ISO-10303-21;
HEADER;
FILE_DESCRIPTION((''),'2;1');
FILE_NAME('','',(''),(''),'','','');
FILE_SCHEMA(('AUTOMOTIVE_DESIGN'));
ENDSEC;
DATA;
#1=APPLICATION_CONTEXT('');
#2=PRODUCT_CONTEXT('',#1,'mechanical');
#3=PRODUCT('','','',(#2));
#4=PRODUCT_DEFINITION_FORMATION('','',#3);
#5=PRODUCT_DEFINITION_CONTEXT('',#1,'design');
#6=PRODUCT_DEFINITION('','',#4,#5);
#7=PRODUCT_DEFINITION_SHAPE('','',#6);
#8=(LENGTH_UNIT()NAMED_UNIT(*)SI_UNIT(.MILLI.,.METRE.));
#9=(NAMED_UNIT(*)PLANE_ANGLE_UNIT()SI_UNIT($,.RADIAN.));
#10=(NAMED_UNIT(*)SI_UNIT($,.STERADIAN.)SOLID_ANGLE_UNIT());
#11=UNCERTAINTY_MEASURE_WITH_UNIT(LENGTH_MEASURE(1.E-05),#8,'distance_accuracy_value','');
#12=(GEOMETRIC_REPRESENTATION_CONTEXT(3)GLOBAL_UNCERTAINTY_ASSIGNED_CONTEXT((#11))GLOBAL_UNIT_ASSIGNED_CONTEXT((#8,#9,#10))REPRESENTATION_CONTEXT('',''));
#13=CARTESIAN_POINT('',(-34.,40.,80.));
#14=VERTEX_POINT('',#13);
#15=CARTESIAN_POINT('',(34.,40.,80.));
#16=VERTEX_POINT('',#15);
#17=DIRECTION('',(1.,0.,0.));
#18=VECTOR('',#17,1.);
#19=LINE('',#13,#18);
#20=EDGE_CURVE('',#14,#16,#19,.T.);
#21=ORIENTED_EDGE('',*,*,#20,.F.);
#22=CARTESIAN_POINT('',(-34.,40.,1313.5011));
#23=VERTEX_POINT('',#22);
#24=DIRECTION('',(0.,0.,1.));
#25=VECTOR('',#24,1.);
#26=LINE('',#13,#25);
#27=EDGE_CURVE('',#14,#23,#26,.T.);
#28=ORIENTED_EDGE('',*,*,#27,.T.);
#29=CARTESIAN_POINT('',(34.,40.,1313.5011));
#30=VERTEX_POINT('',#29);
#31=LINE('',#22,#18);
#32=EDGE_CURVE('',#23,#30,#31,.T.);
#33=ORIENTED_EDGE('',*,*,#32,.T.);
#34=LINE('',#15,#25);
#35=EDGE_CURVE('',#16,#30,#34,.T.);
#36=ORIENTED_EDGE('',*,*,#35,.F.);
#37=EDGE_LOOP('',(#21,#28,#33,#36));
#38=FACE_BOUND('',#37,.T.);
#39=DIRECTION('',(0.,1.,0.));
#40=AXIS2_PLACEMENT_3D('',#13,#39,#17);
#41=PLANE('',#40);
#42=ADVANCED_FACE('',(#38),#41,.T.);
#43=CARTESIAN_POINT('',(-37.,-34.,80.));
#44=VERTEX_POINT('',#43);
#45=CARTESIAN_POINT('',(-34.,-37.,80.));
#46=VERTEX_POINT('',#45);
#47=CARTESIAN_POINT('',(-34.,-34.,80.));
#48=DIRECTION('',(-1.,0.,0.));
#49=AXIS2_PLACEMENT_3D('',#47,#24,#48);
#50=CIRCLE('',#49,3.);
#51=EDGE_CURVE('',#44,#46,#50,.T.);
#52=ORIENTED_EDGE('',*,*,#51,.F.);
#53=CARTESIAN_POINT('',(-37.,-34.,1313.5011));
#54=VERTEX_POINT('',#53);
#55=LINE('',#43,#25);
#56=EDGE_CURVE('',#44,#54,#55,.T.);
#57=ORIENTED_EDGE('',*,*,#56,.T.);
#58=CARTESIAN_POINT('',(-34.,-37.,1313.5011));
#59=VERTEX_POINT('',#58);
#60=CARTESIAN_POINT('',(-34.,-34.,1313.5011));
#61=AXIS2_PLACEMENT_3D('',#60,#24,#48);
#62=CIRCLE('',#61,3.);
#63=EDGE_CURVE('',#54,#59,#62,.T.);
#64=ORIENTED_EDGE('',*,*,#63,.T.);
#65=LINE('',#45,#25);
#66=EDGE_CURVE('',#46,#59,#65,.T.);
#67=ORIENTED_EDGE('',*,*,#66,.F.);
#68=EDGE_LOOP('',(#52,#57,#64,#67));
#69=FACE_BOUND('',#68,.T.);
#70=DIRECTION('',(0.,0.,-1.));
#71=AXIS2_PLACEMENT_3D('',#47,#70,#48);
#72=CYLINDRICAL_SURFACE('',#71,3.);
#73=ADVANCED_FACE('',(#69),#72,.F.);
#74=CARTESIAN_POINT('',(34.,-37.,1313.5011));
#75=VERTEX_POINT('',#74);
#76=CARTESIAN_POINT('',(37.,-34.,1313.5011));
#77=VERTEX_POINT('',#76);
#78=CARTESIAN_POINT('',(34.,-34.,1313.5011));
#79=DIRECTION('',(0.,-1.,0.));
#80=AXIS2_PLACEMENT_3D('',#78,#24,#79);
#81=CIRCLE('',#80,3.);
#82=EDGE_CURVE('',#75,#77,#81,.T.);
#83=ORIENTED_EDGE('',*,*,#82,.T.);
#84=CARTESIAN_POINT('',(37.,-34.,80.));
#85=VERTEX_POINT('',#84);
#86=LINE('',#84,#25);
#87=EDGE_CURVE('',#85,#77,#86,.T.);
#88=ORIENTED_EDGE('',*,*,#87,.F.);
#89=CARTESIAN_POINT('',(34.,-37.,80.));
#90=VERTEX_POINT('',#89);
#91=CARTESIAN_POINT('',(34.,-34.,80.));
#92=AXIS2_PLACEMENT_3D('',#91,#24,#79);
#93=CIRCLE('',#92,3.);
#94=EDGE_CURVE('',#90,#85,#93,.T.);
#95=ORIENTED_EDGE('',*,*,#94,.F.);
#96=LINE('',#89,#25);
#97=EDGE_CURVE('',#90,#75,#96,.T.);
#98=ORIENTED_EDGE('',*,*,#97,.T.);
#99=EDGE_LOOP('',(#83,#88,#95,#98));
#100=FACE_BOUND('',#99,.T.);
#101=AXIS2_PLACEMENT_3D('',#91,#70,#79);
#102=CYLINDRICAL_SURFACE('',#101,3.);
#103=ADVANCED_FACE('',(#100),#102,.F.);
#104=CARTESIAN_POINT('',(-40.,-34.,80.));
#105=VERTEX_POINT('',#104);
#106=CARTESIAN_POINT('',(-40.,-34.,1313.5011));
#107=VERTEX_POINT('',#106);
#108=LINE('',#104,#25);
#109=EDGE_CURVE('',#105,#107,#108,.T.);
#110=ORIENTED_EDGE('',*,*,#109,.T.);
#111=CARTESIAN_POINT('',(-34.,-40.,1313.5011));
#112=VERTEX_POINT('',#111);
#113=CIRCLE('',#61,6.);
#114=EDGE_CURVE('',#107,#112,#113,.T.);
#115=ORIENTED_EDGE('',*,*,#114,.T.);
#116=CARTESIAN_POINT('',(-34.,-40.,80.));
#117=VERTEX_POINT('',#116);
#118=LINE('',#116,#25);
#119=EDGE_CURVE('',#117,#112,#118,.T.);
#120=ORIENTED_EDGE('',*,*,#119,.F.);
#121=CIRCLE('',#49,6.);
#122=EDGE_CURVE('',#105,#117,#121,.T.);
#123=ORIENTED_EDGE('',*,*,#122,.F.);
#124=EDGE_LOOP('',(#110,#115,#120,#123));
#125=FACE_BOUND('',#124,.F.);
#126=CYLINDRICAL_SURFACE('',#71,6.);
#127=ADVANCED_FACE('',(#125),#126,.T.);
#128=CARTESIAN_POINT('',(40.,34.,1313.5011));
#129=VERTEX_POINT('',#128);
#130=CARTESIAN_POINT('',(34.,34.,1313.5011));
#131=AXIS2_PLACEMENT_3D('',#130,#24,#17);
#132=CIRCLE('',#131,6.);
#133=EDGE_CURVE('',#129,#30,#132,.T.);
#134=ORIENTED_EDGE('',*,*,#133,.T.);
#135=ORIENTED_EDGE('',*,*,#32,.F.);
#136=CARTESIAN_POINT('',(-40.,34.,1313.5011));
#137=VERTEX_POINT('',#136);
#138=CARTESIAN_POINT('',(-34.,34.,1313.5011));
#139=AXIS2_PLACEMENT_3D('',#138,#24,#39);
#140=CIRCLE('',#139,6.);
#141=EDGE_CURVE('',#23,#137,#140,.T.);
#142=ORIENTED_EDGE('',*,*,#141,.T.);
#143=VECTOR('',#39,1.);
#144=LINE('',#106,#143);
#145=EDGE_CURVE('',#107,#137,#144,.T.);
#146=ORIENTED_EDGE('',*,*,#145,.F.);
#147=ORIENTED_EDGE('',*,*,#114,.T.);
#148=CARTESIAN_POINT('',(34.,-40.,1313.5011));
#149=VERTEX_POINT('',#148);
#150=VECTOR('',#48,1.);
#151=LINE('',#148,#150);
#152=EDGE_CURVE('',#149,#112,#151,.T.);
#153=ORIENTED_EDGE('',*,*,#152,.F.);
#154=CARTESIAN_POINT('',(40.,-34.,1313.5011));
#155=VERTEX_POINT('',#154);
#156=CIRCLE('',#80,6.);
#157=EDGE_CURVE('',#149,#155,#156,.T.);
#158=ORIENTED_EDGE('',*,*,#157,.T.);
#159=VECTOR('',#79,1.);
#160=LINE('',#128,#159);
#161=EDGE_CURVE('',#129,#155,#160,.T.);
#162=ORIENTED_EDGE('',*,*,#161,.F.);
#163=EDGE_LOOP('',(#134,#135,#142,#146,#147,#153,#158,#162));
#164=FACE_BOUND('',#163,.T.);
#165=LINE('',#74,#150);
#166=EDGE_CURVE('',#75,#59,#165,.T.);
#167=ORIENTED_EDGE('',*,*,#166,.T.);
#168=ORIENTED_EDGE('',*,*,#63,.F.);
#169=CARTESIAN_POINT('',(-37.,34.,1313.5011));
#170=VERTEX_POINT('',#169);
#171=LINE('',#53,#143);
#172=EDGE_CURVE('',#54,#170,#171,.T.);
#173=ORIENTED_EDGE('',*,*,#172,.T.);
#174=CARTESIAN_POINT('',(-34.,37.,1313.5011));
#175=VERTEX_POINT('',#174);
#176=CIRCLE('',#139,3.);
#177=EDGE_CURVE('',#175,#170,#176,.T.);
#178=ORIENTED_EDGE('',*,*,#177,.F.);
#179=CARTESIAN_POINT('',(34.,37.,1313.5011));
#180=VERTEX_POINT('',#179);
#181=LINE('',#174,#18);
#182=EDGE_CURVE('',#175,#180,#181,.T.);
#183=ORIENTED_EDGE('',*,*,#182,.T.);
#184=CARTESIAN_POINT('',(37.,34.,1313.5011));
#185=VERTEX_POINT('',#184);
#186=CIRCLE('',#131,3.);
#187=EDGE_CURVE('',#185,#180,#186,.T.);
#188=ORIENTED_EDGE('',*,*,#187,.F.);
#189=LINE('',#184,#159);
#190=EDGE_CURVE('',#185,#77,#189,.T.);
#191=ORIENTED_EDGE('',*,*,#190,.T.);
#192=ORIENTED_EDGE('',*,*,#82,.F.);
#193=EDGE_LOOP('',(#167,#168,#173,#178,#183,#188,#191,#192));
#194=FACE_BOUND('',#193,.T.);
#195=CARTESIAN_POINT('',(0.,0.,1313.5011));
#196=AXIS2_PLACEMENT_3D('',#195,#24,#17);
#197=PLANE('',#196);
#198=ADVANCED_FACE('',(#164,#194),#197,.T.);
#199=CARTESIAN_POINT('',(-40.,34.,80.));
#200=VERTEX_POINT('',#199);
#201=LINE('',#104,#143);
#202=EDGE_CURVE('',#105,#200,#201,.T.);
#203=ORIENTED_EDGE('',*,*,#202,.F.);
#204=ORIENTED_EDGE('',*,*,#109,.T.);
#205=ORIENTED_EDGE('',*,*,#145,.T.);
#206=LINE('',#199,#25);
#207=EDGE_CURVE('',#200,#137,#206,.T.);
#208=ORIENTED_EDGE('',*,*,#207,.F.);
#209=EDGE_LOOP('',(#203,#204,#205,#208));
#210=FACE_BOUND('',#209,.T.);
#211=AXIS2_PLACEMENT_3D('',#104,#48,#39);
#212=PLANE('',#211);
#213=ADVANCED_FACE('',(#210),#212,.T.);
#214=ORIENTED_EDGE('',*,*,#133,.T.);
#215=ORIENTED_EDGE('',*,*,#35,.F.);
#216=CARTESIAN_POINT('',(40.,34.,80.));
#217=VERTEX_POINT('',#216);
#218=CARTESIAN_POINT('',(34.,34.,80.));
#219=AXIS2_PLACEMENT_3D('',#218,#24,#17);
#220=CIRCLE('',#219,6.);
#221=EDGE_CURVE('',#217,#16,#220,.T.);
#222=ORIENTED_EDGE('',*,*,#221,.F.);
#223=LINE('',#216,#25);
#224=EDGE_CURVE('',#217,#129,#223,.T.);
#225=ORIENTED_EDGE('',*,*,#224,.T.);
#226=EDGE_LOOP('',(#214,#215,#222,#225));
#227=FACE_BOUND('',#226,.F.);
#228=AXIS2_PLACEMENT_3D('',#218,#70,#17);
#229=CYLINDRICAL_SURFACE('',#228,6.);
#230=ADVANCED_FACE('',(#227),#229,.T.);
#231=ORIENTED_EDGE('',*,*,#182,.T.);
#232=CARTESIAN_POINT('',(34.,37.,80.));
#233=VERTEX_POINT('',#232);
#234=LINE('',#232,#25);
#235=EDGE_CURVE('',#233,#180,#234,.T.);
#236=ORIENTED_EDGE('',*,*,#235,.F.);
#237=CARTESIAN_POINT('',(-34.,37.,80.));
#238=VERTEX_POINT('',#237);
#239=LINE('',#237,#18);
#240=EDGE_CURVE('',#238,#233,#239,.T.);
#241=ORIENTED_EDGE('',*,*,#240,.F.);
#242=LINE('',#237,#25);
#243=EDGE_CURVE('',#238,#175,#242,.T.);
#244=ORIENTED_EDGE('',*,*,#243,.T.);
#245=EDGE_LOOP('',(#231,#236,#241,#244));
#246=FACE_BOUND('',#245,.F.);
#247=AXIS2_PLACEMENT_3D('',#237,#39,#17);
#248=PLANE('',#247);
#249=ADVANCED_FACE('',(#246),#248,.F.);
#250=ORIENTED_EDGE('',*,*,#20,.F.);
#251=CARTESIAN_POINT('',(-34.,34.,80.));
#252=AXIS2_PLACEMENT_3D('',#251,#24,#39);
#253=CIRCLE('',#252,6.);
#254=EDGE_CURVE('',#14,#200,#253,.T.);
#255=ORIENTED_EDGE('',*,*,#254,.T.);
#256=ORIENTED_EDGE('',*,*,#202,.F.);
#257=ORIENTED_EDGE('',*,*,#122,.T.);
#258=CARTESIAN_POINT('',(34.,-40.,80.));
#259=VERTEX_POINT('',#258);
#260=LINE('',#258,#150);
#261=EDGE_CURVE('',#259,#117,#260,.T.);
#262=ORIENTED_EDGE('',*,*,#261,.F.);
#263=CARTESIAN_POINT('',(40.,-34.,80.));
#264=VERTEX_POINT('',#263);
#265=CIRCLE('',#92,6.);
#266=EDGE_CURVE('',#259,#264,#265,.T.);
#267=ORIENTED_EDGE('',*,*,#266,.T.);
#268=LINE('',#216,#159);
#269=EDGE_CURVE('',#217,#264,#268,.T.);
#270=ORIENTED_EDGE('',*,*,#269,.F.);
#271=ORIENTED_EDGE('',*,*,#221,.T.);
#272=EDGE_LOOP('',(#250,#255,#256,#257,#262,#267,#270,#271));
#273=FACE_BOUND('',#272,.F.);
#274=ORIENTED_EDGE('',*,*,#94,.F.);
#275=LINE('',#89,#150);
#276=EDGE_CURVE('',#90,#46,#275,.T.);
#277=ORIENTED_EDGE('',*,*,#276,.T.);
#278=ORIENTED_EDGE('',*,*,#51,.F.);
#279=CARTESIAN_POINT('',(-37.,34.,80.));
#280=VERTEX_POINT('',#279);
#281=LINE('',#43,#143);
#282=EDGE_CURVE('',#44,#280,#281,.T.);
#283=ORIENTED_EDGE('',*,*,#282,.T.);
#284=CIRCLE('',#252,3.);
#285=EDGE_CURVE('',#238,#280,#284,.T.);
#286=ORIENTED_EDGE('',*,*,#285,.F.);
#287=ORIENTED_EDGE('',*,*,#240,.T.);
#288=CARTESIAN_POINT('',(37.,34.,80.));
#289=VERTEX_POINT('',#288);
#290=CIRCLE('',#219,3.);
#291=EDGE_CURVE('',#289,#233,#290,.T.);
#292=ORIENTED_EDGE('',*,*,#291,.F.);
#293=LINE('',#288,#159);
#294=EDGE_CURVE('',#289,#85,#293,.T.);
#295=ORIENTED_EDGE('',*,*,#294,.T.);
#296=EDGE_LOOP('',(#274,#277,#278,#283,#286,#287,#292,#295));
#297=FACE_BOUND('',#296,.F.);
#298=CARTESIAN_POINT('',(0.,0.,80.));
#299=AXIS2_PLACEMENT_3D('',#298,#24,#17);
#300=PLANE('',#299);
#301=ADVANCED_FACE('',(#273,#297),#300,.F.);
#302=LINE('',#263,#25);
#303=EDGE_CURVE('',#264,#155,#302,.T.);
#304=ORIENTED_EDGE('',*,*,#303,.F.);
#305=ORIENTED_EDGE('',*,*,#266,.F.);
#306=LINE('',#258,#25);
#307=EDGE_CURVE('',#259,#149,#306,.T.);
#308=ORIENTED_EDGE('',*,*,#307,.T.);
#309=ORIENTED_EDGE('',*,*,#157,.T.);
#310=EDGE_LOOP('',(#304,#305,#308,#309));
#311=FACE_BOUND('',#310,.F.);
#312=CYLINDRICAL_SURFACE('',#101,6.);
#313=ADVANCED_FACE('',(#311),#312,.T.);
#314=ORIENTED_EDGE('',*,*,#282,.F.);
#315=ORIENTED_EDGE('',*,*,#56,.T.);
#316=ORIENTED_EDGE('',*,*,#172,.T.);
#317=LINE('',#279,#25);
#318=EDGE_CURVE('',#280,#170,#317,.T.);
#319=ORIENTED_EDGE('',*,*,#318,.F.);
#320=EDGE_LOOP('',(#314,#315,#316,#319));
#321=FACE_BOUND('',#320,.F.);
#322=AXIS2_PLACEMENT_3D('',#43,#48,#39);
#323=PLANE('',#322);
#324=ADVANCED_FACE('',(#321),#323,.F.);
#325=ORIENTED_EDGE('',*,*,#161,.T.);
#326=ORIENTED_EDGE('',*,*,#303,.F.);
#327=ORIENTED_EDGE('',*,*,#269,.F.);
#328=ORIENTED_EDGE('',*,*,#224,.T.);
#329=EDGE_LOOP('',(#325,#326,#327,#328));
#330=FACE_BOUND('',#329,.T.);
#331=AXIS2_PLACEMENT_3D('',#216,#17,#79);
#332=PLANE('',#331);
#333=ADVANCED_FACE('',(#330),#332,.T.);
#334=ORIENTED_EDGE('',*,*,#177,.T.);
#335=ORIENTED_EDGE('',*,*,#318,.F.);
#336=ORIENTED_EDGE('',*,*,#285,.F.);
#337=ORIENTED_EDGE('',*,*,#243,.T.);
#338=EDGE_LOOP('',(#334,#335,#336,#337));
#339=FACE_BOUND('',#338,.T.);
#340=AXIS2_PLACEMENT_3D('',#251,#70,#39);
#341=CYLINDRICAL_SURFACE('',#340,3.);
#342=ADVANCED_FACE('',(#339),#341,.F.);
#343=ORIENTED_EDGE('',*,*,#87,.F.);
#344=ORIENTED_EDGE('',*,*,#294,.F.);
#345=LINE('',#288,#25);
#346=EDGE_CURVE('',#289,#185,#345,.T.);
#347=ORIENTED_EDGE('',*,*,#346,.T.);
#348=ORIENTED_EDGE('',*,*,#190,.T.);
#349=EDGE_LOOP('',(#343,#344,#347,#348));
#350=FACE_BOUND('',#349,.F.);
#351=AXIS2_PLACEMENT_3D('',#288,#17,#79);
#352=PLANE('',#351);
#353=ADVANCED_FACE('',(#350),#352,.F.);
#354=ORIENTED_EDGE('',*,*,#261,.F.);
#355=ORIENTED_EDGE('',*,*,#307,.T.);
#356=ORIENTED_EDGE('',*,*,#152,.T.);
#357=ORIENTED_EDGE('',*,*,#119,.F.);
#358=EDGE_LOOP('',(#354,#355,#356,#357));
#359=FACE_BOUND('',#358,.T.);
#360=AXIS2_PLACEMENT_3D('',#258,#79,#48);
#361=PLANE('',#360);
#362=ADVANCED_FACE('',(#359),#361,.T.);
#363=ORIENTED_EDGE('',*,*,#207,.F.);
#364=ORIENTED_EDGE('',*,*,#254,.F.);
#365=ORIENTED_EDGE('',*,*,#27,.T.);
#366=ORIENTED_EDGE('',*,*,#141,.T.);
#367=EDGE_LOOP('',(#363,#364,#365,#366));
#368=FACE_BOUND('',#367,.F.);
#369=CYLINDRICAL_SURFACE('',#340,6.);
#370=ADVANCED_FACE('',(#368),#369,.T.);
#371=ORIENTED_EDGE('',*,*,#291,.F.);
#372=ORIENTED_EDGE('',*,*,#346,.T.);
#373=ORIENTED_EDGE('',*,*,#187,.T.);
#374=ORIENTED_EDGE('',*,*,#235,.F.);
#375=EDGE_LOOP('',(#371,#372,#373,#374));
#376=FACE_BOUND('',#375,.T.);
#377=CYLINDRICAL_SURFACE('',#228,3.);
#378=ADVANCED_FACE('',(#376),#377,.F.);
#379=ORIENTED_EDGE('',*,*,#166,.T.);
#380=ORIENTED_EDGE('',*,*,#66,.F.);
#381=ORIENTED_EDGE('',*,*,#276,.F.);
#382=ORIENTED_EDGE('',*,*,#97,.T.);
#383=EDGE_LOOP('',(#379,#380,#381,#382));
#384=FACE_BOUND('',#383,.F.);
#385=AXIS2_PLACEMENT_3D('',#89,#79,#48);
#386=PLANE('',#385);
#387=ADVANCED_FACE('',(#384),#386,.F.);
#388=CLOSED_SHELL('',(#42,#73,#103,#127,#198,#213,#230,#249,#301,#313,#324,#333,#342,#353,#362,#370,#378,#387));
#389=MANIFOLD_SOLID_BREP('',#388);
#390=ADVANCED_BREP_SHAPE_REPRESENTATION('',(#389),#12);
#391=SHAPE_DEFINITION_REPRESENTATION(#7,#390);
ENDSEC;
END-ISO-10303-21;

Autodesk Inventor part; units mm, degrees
ref_plane "YZ Plane" through (0, 0, 0) normal (1, 0, 0) x (0, 1, 0)
ref_plane "Start Plane" through (0, 0, 80) normal (0, 0, 1) x (1, 0, 0)
ref_plane "End Plane" through (0, 0, 1313.5011) normal (0, 0, 1) x (1, 0, 0)
sketch "Sketch" plane through (0, 0, 0) normal (0, 0, 1) x (1, 0, 0)
  line L0 (-40, -34) -> (-40, 34)
  line L1 (-34, 40) -> (34, 40)
  line L2 (40, 34) -> (40, -34)
  line L3 (34, -40) -> (-34, -40)
  arc A0 (-40, -34) -> (-34, -40) centre (-34, -34) ccw
  arc A1 (40, 34) -> (34, 40) centre (34, 34) ccw
  arc A2 (-34, 40) -> (-40, 34) centre (-34, 34) ccw
  arc A3 (34, -40) -> (40, -34) centre (34, -34) ccw
  arc A4 (-34, 37) -> (-37, 34) centre (-34, 34) ccw
  line L4 (-34, 37) -> (34, 37)
  arc A5 (37, 34) -> (34, 37) centre (34, 34) ccw
  line L5 (37, 34) -> (37, -34)
  arc A6 (34, -37) -> (37, -34) centre (34, -34) ccw
  line L6 (34, -37) -> (-34, -37)
  arc A7 (-37, -34) -> (-34, -37) centre (-34, -34) ccw
  line L7 (-37, -34) -> (-37, 34)
  line L8 (0, 57.7397) -> (0, -57.7397) construction
  line L9 (-57.7397, 0) -> (57.7397, 0) construction
  dimension "d7" = 6
  dimension "d9" = 80
  dimension "d11" = 80
  dimension "d12" = 3
  dimension "d15" = 40
  dimension "d16" = 40
extrude "Body" add sketch "Sketch" along normal up to surface (1233.5011 mm away) from surface at 80
sketch "Sketch3" plane through (0, 0, 0) normal (0, 0, 1) x (1, 0, 0)
  line L0 (0, 0) -> (10, 0)
ref_plane "Work Plane3" through (0, 0, 0) normal (0, -1, 0) x (1, 0, 0)
sketch "Sketch4" plane through (0, 0, 0) normal (0, -1, 0) x (1, 0, 0)
  line L0 (-2, 80) -> (12, 80) projected
  line L1 (-2, 1313.5011) -> (12, 1313.5011) projected
  dimension "d18" = 1233.5011
equation "\"d7\" = G_IR"
equation "\"d9\" = G_W"
equation "\"d11\" = G_H"
equation "\"d12\" = G_T"
equation "\"d15\" = 0.5 * d9"
equation "\"d16\" = 0.5 * d11"
equation "\"d3\" = G_L"
equation "\"G_W\" = 80"
equation "\"G_H\" = 80"
equation "\"G_T\" = 3"
equation "\"G_IR\" = 6"
equation "\"G_L\" = d18"
equation "\"d14\" = G_OFFSET_END + B_L"
equation "\"B_L\" = 1353.50107"
equation "\"G_OFFSET_END\" = -40"
properties part number "ISO 10799-2 - 80x80x3 - 1233,5" material "Steel, Mild"
